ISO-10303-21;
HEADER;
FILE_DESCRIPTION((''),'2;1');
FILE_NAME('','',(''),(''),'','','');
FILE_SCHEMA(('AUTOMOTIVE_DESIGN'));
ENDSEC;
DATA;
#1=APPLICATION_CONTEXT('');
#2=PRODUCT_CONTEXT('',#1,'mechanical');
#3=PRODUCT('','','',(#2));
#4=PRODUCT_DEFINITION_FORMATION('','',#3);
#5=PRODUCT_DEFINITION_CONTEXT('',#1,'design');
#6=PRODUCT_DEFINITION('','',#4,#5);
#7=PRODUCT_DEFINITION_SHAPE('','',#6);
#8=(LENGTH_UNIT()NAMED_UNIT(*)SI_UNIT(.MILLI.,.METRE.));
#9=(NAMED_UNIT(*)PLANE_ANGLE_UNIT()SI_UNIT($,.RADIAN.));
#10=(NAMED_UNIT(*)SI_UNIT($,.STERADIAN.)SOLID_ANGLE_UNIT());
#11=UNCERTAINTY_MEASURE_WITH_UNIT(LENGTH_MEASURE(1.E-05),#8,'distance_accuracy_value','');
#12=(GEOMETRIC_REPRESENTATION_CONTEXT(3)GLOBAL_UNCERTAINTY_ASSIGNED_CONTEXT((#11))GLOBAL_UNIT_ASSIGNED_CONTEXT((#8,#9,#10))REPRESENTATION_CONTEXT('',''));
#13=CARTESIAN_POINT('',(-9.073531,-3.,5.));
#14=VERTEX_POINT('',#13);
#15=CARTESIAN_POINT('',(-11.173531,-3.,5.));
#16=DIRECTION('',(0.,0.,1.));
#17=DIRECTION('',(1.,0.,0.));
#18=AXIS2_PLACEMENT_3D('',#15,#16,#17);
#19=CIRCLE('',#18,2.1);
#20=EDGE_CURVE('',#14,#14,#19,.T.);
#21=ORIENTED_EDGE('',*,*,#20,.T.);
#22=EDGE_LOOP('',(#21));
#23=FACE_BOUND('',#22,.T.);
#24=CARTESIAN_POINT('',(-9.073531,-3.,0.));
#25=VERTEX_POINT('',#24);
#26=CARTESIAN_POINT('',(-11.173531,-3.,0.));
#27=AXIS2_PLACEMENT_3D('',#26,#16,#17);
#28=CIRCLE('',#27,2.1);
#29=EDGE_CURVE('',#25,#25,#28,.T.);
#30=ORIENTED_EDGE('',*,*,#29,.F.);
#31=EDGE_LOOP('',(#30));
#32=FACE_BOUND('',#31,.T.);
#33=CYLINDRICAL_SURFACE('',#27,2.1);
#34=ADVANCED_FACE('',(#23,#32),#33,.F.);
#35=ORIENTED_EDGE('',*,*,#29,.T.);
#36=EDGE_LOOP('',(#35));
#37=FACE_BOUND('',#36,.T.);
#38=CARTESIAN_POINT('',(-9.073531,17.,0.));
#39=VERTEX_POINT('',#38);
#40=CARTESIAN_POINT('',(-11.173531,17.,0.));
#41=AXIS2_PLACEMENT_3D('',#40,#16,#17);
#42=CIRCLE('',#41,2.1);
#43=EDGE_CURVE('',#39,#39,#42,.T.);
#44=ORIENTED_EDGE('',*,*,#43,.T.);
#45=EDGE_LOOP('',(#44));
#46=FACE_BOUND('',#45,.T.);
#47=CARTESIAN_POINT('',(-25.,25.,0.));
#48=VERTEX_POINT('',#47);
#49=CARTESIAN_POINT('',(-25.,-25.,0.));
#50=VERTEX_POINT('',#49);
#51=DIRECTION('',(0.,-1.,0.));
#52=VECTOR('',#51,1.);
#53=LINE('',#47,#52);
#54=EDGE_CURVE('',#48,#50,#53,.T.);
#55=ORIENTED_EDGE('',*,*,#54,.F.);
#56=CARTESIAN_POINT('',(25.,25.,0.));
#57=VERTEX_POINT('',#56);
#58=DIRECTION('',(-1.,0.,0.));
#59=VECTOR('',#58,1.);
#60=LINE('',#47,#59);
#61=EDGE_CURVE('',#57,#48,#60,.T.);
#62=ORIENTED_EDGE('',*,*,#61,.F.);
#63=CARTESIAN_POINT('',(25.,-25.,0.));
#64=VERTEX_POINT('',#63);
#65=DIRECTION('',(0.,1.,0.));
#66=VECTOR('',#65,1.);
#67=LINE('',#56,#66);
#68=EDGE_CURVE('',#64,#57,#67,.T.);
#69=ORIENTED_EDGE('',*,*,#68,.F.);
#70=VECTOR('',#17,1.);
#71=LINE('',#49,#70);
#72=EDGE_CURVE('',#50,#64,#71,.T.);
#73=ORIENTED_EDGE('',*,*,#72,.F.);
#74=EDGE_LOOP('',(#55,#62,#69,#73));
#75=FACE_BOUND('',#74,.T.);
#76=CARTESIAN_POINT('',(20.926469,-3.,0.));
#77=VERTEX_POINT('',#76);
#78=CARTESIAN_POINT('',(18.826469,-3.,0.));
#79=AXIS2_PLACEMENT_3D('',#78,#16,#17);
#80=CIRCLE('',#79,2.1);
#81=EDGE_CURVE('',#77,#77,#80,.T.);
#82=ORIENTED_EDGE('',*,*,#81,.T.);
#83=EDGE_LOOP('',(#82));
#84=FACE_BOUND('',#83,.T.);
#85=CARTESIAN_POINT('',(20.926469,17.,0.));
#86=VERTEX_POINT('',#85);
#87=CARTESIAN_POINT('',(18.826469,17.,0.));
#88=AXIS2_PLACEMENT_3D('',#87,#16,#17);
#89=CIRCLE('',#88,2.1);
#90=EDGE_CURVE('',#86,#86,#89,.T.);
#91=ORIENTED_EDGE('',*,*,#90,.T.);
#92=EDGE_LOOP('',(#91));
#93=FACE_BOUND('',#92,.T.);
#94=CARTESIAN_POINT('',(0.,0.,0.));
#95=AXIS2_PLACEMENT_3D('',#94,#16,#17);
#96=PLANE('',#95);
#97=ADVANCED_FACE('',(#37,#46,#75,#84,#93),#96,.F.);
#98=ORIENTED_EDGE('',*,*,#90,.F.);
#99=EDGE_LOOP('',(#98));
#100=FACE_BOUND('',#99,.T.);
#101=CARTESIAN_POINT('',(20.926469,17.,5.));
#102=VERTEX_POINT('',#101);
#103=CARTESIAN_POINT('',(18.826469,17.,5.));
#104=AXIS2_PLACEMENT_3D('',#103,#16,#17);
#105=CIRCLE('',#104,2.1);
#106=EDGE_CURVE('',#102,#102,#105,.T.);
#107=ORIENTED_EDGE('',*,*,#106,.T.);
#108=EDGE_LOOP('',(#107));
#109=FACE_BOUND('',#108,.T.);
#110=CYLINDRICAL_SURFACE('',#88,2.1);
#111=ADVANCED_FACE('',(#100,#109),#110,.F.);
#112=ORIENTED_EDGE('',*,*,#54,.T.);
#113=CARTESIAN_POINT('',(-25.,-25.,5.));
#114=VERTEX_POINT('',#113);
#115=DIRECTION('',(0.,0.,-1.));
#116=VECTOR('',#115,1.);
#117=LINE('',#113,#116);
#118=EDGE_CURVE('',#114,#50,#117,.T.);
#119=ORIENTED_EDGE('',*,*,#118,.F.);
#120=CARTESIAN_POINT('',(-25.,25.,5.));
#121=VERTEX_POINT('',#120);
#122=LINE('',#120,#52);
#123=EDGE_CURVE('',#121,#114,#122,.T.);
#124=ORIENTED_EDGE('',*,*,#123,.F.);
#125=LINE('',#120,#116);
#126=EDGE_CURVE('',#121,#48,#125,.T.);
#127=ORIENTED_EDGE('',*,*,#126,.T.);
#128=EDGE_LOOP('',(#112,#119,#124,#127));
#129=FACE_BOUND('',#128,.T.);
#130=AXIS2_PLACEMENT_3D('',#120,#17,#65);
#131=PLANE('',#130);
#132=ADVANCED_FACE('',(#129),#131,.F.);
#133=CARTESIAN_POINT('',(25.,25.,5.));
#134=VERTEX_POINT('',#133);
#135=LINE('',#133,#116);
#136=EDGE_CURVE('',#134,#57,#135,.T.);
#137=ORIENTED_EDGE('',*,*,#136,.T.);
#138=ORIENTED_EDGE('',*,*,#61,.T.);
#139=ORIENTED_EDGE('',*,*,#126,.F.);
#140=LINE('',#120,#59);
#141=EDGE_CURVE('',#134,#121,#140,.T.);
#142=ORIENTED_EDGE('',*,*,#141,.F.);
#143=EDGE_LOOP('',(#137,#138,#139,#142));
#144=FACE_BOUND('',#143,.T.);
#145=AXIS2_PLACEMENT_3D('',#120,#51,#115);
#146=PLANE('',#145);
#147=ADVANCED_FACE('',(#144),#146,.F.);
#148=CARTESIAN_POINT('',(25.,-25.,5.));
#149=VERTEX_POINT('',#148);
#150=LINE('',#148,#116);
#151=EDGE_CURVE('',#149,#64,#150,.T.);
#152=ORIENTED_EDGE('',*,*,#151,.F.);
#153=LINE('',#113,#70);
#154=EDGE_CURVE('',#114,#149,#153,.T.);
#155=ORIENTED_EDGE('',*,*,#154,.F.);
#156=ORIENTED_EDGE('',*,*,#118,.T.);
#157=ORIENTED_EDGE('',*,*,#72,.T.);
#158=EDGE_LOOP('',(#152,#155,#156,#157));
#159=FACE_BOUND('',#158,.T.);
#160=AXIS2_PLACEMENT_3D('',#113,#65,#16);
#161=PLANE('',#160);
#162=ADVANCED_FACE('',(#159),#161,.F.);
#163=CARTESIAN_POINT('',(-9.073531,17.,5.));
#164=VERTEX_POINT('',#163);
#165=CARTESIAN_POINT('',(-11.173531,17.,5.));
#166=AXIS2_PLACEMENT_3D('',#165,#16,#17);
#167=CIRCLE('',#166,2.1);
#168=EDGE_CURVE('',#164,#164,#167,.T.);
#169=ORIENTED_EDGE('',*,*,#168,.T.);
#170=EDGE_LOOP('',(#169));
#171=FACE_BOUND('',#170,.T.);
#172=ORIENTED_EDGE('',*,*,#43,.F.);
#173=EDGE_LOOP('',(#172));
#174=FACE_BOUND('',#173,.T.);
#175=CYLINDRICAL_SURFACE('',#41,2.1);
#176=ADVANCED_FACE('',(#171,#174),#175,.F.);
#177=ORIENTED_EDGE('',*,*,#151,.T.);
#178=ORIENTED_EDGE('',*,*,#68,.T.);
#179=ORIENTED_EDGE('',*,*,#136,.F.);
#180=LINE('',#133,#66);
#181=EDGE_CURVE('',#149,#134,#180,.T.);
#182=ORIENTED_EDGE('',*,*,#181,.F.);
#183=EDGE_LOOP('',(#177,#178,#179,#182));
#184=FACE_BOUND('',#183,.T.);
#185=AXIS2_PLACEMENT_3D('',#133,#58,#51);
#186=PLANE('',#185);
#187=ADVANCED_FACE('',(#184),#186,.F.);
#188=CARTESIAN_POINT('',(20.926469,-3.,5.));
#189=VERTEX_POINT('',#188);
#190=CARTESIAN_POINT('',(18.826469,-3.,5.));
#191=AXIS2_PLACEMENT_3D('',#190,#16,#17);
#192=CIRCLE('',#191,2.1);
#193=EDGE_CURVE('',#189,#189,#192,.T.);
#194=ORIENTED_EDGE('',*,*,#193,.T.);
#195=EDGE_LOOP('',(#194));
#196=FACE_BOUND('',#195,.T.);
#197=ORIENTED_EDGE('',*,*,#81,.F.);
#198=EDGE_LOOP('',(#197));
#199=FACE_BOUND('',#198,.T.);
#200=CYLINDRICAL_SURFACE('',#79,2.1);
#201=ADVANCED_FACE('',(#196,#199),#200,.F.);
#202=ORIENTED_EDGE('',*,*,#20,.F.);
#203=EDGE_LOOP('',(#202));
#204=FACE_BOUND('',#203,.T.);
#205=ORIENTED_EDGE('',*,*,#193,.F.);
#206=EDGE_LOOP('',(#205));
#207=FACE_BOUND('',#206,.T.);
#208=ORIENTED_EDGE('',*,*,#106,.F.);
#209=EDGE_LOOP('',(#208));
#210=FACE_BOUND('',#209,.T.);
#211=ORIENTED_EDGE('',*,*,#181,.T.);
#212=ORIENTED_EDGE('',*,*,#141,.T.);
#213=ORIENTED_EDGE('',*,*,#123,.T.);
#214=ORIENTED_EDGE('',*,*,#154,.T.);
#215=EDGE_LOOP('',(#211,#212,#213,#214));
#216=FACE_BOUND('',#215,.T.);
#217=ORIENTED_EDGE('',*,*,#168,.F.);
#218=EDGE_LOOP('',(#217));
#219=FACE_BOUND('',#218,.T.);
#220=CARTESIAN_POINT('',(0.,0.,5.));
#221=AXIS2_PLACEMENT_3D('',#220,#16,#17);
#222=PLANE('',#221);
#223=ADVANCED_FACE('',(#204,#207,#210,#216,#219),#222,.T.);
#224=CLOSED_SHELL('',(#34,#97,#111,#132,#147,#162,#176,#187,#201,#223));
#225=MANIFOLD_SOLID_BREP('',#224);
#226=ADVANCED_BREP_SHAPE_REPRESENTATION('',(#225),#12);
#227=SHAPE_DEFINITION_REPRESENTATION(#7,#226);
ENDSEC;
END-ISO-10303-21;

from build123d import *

# Parameters (mm, degrees)
SKETCH_1_W          = 50
SKETCH_1_H          = 50
EXTRUDE_1_DEPTH     = 5
SKETCH_2_R          = 2.1
CUT_EXTRUDE_1_DEPTH = 5


with BuildPart() as part:
    # 스케치1 → 보스-돌출1 (new body)
    with BuildSketch(Plane.XY):
        Rectangle(SKETCH_1_W, SKETCH_1_H)
    extrude(amount=EXTRUDE_1_DEPTH)

    # 스케치2 → 컷-돌출1 (cut)
    with BuildSketch(Plane.XY.offset(5)):
        with Locations((-11.173531489, -3)):
            Circle(SKETCH_2_R)
        with Locations((18.826468511, -3)):
            Circle(SKETCH_2_R)
        with Locations((-11.173531489, 17)):
            Circle(SKETCH_2_R)
        with Locations((18.826468511, 17)):
            Circle(SKETCH_2_R)
    extrude(amount=-CUT_EXTRUDE_1_DEPTH, mode=Mode.SUBTRACT)


solid = part.part
